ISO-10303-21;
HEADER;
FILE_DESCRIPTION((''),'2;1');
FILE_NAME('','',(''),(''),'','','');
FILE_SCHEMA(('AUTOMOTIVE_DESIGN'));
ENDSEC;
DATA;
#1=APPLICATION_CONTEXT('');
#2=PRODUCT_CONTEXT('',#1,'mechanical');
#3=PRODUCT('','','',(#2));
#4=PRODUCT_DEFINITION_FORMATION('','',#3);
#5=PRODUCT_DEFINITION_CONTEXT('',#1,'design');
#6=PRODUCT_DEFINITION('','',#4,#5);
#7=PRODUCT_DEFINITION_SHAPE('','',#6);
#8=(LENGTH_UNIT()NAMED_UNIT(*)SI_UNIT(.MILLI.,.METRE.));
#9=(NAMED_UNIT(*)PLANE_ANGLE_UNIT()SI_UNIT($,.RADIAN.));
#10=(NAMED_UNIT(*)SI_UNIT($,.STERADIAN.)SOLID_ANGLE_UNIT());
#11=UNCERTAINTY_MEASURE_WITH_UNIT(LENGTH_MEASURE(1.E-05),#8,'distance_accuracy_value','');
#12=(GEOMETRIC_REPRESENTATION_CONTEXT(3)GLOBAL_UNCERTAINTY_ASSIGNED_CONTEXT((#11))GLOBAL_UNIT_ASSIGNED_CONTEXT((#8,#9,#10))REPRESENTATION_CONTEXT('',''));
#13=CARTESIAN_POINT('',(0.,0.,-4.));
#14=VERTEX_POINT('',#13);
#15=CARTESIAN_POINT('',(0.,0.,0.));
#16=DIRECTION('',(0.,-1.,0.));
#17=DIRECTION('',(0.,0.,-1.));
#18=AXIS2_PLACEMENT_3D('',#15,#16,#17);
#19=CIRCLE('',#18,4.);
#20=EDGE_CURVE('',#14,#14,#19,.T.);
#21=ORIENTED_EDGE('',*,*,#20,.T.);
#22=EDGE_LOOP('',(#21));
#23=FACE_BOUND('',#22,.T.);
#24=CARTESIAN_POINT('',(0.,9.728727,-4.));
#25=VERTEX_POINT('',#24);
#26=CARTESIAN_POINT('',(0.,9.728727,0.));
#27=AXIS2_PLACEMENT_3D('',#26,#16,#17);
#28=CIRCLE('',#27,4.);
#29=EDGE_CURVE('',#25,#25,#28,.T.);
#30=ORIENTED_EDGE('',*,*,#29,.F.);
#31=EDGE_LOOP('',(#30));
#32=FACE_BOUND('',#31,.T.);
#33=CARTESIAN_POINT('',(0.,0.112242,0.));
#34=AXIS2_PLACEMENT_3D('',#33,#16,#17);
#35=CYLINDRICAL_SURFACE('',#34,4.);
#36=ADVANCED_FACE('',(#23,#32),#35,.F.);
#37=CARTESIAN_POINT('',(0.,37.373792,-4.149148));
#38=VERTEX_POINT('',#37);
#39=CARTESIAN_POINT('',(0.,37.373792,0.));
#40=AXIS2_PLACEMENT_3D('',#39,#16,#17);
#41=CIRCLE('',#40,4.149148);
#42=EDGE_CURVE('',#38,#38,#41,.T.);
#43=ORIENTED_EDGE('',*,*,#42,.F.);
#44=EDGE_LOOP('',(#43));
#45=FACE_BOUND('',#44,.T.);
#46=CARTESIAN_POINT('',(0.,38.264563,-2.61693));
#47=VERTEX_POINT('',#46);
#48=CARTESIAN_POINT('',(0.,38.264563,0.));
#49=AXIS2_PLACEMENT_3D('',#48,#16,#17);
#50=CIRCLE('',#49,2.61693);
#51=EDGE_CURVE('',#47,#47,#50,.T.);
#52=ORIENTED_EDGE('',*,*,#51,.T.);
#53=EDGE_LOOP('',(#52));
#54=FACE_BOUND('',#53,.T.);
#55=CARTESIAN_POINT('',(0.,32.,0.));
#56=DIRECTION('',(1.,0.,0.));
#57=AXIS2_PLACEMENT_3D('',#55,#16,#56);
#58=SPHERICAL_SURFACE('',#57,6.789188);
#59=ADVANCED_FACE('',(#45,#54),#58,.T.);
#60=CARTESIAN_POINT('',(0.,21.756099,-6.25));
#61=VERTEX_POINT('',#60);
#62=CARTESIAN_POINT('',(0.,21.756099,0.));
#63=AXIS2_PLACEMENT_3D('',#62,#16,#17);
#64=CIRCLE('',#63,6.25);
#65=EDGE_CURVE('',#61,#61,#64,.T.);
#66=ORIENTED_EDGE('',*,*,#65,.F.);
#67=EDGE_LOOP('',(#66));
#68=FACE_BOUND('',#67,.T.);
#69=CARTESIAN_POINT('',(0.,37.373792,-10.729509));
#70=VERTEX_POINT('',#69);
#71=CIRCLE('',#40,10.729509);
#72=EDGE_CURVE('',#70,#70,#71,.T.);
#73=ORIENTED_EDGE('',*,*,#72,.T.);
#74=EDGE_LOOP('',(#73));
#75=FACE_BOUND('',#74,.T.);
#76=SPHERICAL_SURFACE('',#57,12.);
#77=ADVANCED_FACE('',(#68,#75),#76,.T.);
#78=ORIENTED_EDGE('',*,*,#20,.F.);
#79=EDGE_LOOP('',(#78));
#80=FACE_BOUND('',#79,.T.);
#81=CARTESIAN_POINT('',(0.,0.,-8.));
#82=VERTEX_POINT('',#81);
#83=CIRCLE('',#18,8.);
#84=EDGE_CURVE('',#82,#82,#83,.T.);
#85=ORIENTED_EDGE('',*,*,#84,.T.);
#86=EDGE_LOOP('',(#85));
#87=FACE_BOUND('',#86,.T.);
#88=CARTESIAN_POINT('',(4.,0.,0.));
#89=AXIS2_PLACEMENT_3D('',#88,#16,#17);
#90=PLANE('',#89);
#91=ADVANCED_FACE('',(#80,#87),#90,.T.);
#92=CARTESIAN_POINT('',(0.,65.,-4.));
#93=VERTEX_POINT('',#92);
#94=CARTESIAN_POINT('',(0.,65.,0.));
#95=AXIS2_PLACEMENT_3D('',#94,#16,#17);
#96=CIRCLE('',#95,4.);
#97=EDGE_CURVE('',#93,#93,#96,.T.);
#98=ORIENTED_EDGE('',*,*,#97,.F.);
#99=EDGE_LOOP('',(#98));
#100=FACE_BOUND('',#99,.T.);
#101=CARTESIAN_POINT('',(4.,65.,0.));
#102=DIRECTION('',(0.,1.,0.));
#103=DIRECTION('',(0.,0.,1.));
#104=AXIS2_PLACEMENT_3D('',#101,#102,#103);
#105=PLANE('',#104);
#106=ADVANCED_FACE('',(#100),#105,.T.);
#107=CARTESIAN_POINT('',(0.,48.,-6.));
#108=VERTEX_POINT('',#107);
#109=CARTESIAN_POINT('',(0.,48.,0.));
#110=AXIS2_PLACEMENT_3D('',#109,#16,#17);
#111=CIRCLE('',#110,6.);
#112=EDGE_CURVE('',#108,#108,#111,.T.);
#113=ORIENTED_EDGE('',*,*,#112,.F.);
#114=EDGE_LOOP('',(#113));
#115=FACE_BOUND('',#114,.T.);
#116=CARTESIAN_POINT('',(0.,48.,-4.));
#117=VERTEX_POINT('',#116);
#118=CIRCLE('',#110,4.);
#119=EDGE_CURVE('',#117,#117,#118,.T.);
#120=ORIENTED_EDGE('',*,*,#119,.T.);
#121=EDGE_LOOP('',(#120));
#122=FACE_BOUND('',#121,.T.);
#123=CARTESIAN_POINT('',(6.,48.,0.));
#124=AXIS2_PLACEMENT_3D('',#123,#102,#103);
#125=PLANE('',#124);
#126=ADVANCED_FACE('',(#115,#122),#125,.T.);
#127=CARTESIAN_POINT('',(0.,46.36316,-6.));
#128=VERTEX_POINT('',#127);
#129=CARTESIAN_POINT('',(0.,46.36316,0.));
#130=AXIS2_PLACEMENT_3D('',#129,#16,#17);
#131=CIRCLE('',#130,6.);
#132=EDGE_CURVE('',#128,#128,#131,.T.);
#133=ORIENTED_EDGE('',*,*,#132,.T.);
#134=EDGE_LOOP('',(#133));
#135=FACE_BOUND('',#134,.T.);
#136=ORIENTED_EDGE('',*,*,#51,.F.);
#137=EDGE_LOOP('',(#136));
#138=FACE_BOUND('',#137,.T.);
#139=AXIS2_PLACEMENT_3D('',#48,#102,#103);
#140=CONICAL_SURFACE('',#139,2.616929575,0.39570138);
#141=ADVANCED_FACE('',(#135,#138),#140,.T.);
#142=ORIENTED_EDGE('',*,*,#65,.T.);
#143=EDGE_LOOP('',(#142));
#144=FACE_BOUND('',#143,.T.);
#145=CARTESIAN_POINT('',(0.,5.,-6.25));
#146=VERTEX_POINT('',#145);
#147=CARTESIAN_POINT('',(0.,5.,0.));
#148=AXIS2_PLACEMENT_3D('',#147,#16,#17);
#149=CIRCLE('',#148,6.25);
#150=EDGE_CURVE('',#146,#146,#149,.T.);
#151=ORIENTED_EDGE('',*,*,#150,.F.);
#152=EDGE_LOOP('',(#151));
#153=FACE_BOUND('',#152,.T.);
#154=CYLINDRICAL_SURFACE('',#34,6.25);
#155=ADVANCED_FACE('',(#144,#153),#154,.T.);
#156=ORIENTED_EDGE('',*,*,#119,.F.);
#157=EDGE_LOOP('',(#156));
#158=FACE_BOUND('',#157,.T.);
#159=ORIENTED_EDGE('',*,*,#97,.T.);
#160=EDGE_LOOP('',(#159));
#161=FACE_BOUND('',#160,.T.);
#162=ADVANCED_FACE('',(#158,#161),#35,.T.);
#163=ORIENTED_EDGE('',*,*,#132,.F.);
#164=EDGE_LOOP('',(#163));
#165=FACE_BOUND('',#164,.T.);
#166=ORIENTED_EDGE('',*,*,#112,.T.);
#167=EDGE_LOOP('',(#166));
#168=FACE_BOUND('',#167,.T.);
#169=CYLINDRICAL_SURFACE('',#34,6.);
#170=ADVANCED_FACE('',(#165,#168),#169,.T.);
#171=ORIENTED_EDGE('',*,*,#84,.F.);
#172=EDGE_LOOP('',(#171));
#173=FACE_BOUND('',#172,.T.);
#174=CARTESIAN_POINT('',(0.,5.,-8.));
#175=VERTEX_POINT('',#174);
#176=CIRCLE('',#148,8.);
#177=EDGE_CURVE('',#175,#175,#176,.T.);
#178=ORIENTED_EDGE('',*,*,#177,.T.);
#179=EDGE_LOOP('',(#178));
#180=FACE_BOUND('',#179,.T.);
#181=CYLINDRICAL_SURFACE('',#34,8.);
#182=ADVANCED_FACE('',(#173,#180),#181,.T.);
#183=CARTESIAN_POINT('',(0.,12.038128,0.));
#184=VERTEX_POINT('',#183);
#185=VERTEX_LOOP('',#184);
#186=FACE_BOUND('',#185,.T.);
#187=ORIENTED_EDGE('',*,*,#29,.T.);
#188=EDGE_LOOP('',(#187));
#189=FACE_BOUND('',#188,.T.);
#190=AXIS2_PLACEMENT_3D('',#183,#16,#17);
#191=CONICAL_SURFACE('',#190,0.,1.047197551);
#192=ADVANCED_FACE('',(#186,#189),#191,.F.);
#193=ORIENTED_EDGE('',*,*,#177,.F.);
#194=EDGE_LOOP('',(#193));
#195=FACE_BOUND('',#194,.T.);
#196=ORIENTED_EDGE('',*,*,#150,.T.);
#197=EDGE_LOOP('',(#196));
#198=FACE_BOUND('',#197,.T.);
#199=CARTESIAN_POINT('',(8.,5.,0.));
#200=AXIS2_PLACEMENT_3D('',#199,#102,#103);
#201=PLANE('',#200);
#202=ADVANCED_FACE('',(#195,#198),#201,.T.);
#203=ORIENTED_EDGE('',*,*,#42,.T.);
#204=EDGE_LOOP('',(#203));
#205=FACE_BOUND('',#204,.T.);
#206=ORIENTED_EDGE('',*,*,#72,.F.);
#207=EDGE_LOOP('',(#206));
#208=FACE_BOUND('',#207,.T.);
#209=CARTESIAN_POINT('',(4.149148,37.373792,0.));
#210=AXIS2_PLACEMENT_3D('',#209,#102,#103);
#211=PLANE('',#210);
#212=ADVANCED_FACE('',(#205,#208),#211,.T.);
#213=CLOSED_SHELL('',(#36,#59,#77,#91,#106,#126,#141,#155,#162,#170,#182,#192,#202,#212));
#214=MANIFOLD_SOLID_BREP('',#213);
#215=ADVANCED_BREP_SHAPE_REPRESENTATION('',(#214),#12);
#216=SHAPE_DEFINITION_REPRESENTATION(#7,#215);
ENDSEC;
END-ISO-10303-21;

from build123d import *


with BuildPart() as part:
    # 草图1 → 旋转1 (revolve)
    with BuildSketch(Plane.XY):
        with BuildLine():
            Line((0, 12.038127602), (4, 9.728726525))
            Line((4, 9.728726525), (4, 0))
            Line((4, 0), (8, 0))
            Line((8, 0), (8, 5))
            Line((8, 5), (6.25, 5))
            Line((6.25, 5), (6.25, 21.756099376))
            ThreePointArc((6.25, 21.756099376), (11.534904039, 28.691527723), (10.729508749, 37.373792144))
            Line((10.729508749, 37.373792144), (4.14914812, 37.373792144))
            ThreePointArc((4.14914812, 37.373792144), (3.412230956, 37.869391112), (2.616929575, 38.264563171))
            Line((2.616929575, 38.264563171), (6, 46.363160318))
            Line((6, 46.363160318), (6, 48))
            Line((6, 48), (4, 48))
            Line((4, 48), (4, 65))
            Line((4, 65), (0, 65))
            Line((0, 65), (0, 12.038127602))
        make_face()
    revolve(axis=Axis((0, 0.112242194, 0), (0, 1, 0)))


solid = part.part
